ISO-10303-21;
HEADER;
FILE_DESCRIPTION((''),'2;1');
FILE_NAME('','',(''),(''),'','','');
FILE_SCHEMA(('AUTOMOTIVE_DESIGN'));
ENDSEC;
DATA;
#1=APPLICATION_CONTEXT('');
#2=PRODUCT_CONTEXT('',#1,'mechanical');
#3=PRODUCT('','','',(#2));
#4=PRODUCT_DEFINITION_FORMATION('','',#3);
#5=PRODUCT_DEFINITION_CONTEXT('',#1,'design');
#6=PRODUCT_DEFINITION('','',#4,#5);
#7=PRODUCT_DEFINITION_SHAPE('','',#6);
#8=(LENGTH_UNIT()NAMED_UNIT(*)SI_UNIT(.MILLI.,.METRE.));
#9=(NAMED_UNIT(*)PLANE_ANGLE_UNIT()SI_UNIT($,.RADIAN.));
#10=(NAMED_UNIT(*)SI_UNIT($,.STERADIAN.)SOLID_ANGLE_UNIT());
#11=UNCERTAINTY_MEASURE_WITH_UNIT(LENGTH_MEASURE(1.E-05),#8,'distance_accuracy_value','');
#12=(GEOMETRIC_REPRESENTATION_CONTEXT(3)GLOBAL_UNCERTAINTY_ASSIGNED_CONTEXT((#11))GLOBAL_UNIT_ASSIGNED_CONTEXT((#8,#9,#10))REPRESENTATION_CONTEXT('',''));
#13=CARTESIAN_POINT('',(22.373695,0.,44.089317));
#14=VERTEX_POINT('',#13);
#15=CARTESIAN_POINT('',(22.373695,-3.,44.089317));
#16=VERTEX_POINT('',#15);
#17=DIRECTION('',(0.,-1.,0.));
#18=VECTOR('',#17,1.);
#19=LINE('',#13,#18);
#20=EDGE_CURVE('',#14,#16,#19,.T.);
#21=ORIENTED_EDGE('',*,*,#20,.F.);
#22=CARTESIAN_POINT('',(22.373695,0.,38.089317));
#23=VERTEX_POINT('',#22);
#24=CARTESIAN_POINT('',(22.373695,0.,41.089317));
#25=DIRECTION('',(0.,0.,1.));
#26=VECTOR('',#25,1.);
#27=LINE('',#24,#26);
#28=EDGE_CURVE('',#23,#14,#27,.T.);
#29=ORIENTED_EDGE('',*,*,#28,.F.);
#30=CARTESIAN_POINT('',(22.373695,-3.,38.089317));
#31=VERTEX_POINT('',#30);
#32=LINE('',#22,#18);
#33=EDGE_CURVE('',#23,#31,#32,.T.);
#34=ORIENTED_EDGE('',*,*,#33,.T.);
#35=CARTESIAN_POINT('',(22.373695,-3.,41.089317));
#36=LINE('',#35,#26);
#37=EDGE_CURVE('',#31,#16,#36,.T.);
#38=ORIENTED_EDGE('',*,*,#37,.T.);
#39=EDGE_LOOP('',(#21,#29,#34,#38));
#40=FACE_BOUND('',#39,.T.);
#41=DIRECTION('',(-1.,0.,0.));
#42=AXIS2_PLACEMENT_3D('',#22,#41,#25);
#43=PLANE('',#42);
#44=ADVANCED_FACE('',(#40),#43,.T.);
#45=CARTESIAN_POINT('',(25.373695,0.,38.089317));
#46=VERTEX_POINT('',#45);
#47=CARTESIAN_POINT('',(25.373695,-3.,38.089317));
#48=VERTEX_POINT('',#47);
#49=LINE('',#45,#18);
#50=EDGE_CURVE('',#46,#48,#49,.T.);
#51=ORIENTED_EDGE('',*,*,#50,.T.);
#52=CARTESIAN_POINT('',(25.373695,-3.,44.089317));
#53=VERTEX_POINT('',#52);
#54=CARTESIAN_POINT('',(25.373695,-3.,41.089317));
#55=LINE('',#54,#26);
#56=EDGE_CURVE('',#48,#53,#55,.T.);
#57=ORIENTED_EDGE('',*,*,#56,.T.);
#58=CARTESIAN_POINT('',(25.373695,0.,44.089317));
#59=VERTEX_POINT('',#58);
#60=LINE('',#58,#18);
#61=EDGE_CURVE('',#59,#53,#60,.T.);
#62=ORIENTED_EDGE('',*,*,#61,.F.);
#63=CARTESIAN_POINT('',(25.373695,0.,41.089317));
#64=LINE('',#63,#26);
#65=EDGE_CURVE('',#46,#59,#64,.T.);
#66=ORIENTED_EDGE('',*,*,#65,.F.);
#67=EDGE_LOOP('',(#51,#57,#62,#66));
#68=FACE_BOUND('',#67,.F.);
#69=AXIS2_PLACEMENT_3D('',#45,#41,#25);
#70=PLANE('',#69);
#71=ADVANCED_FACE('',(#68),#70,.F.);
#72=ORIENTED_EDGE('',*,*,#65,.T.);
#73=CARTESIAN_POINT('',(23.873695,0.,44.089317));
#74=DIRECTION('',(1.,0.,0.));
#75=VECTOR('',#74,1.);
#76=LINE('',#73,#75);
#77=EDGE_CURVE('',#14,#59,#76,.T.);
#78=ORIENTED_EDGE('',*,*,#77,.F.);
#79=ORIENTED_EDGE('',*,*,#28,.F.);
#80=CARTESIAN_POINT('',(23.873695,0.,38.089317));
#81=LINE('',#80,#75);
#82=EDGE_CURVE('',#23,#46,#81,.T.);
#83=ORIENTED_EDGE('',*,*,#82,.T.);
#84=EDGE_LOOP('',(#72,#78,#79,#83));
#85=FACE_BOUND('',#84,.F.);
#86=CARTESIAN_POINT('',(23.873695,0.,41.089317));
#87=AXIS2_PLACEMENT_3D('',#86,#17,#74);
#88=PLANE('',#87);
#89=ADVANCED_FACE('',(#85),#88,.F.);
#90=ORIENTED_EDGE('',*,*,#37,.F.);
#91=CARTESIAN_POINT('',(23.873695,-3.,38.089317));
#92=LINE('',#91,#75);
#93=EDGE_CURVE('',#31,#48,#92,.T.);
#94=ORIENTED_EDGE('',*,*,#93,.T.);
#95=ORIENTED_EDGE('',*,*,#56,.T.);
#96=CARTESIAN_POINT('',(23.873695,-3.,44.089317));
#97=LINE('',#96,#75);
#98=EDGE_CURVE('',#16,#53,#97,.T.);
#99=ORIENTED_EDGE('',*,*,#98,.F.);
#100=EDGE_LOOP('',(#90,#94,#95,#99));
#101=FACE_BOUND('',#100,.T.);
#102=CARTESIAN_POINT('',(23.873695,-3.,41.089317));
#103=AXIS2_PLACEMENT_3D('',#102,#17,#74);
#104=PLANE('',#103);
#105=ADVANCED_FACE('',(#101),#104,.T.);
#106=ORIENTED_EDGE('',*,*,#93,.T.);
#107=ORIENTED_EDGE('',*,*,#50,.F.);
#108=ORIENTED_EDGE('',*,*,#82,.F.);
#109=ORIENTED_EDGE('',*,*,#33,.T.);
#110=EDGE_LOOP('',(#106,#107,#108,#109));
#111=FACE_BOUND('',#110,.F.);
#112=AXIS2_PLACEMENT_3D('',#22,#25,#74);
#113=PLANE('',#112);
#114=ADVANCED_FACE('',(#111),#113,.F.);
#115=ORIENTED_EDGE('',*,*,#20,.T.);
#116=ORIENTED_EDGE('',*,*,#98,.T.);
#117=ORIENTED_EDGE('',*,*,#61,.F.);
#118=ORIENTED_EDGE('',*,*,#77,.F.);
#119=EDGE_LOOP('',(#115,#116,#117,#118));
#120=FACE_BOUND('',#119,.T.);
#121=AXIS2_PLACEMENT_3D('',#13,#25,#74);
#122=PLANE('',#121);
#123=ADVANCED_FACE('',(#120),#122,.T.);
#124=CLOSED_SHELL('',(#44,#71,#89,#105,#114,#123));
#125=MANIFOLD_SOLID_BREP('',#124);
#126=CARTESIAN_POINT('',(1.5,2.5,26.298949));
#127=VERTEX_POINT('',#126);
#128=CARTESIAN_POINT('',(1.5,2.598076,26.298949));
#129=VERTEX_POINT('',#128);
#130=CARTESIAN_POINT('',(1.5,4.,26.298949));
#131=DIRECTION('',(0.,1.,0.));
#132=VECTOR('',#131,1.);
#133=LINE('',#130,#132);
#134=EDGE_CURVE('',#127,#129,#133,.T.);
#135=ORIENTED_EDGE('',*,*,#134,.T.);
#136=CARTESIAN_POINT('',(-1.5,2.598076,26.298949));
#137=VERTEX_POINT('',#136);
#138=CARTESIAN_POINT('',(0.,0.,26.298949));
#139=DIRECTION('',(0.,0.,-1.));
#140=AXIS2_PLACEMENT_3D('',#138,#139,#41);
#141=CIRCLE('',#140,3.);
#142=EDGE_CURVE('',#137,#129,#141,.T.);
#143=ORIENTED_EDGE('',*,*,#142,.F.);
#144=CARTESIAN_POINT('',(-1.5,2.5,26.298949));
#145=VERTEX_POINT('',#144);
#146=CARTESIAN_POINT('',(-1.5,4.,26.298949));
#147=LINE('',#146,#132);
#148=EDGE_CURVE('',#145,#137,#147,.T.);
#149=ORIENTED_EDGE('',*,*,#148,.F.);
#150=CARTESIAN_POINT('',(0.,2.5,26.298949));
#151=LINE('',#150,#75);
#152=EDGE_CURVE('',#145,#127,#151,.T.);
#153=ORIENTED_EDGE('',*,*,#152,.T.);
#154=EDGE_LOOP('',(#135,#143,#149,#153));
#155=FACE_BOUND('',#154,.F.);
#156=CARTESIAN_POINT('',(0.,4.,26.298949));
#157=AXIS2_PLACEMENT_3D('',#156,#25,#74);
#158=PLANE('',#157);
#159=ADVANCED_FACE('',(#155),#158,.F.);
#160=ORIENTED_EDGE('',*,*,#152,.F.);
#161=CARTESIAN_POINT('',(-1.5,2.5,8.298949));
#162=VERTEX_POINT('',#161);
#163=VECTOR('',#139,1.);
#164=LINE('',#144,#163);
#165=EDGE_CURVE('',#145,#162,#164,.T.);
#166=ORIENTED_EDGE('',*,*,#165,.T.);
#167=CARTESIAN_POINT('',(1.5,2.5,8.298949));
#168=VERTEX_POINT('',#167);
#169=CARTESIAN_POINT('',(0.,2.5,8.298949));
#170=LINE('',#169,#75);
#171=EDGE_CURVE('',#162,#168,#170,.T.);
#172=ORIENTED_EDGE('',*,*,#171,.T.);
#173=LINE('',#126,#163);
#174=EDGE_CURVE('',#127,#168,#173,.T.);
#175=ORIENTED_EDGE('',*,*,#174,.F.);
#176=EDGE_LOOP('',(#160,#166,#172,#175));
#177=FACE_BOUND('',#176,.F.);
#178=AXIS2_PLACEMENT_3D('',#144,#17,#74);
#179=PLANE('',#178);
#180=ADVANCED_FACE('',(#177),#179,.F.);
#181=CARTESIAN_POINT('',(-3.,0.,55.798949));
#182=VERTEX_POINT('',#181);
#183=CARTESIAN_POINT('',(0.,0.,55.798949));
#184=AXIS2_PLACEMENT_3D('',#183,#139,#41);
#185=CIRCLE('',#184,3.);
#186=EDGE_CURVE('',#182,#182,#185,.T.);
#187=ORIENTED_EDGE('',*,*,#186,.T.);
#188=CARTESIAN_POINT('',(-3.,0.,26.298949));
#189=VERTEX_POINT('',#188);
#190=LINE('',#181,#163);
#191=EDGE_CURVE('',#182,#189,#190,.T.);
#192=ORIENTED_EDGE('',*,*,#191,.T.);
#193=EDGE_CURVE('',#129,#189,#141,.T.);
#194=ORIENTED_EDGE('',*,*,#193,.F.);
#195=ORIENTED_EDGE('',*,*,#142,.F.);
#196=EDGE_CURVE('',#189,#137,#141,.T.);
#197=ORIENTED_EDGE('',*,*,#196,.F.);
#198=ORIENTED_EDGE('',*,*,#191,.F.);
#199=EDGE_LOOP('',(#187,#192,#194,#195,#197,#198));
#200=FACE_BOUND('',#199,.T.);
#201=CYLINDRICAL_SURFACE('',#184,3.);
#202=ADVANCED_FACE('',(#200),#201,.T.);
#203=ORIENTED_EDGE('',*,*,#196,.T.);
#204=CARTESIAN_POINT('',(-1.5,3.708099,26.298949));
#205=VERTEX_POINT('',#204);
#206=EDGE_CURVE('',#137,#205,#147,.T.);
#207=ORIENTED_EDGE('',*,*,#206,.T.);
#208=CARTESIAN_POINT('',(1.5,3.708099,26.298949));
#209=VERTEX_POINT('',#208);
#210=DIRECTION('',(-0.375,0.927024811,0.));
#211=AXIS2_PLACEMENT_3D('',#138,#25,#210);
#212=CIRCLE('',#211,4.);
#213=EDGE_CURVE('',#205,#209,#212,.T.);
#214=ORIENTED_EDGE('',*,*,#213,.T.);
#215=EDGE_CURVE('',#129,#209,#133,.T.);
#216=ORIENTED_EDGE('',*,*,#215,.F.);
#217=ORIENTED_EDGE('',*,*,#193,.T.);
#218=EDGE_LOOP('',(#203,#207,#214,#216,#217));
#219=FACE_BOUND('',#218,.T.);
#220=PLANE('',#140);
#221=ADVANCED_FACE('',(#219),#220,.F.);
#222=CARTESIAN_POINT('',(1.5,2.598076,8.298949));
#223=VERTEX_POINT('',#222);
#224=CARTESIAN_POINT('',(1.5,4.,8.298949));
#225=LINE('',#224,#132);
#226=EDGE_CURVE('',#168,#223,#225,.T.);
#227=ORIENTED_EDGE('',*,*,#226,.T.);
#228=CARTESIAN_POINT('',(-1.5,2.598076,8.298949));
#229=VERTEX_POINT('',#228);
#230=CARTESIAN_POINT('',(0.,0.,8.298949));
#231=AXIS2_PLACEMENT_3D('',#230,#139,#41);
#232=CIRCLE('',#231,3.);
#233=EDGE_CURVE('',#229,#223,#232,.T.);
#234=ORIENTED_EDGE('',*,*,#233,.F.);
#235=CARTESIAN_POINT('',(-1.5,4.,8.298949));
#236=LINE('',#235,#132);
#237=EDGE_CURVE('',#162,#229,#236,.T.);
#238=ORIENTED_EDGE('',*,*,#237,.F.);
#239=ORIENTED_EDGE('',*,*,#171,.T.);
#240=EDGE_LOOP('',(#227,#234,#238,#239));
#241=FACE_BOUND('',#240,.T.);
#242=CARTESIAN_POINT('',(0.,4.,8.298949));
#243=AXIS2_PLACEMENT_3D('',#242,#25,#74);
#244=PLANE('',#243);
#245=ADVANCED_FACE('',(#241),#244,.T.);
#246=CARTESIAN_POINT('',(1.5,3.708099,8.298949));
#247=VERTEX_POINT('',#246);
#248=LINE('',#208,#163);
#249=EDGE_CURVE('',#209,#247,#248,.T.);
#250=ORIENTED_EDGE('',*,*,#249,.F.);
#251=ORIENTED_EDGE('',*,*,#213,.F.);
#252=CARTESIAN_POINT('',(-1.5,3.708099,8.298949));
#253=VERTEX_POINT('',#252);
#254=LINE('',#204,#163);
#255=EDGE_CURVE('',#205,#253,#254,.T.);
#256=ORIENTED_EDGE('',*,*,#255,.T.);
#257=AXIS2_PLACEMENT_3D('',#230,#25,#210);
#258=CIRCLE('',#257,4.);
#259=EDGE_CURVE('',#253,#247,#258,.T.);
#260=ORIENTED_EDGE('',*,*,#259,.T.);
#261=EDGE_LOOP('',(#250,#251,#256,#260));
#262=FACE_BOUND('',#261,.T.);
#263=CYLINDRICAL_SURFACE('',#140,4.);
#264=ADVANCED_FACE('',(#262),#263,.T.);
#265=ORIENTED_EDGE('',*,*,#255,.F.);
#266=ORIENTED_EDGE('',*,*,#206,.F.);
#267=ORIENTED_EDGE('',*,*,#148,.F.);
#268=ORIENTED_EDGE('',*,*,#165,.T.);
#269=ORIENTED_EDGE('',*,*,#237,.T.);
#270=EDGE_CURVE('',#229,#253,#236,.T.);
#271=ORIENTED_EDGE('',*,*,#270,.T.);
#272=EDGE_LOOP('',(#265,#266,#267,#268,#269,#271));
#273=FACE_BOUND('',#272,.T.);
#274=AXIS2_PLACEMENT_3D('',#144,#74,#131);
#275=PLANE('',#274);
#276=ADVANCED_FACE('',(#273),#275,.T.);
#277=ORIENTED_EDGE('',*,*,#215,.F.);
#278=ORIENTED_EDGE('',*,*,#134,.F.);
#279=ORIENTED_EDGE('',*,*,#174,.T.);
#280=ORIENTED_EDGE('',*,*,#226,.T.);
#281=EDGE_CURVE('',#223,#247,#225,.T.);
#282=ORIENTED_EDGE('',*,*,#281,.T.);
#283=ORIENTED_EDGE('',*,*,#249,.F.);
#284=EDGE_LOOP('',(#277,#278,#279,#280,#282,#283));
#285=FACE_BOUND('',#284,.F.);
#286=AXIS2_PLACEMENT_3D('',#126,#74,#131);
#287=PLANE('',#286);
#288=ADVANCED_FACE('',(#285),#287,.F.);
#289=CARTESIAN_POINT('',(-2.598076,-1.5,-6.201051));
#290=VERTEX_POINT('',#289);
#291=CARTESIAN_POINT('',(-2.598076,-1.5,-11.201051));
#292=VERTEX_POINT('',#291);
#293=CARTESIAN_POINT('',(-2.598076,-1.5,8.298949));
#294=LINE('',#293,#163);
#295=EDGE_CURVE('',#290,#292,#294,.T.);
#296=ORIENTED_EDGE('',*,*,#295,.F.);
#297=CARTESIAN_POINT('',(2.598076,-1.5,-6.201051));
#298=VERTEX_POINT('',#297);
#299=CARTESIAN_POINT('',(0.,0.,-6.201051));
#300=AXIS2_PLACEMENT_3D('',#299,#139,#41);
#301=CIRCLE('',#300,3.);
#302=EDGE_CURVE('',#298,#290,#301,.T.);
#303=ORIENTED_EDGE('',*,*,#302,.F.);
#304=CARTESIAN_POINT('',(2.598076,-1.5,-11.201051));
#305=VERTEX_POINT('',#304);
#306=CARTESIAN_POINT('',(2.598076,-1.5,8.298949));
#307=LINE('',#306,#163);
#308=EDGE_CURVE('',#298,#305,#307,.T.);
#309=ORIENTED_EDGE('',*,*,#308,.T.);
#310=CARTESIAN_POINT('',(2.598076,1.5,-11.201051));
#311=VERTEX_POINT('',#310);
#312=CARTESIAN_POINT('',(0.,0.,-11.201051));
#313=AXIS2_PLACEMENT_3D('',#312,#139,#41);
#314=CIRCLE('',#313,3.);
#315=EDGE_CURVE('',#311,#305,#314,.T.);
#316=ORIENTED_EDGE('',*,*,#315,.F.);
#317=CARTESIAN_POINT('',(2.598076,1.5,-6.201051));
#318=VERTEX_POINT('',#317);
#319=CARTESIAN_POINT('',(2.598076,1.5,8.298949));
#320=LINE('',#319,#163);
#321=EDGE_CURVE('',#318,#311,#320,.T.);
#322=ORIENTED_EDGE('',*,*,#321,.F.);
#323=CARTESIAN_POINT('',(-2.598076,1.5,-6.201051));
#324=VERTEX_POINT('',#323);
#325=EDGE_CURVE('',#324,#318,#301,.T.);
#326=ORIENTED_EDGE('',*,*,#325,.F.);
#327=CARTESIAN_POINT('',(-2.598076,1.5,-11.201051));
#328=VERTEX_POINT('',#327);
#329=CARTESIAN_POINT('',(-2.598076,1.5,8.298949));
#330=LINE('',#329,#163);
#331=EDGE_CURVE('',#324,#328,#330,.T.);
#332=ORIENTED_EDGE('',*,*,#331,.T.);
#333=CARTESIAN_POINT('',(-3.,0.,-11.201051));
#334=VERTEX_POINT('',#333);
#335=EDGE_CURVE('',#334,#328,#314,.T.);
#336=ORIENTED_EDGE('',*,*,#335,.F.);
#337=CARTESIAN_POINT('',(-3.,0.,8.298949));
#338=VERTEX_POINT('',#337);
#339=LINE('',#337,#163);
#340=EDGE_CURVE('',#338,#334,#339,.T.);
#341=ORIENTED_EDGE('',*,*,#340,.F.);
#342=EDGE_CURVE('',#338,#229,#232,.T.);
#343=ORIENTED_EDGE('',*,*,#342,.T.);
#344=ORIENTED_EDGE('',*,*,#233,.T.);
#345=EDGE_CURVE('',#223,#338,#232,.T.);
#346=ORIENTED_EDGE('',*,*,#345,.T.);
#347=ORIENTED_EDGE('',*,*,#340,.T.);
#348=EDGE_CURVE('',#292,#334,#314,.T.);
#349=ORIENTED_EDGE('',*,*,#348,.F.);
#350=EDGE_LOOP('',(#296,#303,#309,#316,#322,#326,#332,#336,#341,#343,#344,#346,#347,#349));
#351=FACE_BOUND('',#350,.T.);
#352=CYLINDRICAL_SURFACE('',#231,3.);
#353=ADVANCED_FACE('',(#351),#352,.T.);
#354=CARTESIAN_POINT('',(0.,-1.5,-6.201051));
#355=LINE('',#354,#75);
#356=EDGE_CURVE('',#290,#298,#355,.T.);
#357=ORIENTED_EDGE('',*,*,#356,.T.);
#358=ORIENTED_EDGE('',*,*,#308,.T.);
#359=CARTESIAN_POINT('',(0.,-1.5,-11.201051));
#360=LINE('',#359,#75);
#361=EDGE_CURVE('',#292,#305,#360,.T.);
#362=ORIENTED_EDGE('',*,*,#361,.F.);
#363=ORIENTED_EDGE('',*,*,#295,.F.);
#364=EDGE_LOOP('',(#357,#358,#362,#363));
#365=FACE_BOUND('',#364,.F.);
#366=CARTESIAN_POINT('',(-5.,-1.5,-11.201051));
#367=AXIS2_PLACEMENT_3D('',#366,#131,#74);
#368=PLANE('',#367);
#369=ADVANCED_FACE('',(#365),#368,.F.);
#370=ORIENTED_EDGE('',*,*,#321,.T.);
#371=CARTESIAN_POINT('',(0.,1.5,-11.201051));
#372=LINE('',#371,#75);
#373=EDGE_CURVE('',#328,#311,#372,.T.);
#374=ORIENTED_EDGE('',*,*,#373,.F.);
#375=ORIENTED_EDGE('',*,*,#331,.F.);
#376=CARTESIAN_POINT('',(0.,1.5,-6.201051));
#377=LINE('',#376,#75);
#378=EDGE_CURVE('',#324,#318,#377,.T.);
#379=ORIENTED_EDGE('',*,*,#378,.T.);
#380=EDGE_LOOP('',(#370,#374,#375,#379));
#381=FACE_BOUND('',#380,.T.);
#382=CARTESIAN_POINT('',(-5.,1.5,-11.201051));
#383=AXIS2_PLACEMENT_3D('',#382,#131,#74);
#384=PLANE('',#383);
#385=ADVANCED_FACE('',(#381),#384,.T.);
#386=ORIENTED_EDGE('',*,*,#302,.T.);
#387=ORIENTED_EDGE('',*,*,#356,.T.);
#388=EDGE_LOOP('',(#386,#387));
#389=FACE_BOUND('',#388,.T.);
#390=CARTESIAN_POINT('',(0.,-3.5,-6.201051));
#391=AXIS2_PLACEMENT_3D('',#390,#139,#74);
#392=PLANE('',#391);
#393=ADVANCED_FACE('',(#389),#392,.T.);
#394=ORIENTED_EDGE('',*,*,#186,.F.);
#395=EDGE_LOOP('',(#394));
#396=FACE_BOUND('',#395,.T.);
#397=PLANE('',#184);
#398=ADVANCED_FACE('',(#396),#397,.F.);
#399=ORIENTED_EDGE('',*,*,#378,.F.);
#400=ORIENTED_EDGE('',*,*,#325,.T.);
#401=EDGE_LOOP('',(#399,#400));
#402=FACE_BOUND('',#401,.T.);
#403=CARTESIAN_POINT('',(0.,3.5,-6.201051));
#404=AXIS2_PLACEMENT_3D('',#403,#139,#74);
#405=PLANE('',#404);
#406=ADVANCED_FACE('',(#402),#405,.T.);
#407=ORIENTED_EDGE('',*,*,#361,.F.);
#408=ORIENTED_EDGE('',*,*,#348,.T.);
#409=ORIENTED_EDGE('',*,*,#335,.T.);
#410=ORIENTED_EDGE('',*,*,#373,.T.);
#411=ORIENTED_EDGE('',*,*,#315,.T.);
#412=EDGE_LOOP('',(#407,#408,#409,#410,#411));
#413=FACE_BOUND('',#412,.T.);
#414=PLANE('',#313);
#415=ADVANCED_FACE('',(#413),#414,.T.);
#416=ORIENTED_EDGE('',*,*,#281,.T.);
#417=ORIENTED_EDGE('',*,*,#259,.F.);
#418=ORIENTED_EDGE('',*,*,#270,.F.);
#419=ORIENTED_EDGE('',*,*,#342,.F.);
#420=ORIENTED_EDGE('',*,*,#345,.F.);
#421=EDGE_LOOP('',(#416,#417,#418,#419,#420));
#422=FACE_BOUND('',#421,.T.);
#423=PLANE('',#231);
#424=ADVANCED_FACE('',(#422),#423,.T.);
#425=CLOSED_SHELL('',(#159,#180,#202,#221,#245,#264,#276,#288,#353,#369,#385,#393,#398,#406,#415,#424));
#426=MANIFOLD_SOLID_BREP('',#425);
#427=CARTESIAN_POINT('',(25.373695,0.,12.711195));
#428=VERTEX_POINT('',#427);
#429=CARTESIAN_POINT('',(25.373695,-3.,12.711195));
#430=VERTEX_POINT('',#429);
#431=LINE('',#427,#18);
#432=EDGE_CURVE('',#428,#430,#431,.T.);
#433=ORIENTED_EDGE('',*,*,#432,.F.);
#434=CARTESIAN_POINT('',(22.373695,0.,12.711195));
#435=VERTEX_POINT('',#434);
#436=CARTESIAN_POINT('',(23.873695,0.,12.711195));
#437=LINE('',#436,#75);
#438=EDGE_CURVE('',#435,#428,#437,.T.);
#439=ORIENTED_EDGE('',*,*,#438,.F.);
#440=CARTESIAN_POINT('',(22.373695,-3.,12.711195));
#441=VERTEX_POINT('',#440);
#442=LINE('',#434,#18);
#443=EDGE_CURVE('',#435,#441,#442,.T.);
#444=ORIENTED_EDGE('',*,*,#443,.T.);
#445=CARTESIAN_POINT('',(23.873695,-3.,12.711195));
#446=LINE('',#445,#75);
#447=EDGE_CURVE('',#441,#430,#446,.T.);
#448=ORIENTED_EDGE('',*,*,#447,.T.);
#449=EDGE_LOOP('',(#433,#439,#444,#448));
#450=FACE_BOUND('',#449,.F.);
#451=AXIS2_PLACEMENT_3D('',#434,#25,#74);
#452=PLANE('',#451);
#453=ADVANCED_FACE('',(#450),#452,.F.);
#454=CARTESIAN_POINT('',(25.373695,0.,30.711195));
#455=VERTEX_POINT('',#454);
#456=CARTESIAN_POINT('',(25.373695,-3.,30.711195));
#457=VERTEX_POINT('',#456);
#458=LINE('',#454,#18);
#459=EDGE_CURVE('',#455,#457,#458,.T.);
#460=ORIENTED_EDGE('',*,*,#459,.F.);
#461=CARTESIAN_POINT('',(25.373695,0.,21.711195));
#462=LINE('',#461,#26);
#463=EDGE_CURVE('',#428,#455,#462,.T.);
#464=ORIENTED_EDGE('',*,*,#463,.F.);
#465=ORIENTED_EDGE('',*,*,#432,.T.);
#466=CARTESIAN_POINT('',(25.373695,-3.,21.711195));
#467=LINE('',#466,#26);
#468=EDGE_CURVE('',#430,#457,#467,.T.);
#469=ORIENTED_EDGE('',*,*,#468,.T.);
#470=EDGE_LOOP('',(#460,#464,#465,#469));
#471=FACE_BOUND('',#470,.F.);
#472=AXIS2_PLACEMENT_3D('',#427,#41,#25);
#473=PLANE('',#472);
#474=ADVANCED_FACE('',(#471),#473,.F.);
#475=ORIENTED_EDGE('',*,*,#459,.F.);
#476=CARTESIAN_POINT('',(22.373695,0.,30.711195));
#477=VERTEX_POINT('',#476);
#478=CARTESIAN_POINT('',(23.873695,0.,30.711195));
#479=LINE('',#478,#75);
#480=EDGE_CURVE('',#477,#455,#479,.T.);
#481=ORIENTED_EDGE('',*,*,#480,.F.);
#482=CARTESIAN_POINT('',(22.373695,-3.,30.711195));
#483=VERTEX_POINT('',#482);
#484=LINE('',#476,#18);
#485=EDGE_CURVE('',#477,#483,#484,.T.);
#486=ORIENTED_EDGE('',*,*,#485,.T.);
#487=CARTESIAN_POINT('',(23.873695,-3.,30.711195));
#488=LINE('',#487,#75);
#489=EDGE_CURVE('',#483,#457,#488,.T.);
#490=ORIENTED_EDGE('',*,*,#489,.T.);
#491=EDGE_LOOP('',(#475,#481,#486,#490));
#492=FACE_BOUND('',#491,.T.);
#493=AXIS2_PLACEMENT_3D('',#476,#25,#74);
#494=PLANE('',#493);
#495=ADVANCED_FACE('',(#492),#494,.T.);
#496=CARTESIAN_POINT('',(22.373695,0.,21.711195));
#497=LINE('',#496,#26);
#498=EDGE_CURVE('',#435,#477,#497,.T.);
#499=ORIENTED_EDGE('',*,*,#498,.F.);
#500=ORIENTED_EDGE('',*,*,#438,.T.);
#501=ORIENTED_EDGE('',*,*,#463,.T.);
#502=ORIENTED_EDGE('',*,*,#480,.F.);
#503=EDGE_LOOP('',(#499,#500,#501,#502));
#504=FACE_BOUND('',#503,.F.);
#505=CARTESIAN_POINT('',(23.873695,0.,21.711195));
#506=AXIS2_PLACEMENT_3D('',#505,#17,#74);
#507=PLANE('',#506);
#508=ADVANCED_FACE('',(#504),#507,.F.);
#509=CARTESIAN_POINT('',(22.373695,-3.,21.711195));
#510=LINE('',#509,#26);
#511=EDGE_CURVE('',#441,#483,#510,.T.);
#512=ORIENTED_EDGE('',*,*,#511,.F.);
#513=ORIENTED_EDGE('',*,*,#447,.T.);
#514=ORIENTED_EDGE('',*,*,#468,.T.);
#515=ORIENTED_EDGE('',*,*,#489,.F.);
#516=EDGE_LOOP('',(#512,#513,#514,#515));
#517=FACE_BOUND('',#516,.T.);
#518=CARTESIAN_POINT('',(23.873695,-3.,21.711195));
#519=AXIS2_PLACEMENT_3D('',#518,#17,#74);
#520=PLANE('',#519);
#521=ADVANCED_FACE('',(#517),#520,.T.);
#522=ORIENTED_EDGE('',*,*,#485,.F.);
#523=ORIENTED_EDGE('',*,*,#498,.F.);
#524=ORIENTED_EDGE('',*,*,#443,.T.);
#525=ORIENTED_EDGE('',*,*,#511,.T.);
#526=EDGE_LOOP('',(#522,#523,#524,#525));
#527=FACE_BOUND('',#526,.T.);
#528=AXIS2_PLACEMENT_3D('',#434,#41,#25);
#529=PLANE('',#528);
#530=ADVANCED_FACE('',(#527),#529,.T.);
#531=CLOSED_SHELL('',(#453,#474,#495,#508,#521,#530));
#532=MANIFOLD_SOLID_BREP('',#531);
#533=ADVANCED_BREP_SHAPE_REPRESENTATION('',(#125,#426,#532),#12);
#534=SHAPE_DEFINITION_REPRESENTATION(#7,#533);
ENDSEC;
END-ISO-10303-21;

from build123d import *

# Parameters (mm, degrees)
F2_W     = 3
F2_H     = 3
F3_DEPTH = 18
F4_W     = 3
F4_H     = 6
F4_H_2   = 18
F5_DEPTH = 3
F6_W     = 10
F6_H     = 4
F7_DEPTH = 5


with BuildPart() as f1:
    # F0 (on Front) → F1 (revolve)
    with BuildSketch(Plane.XZ):
        Polygon((0, -11.201051), (0, 55.798949), (-3, 55.798949), (-3, 26.298949), (-4, 26.298949), (-4, 8.298949), (-3, 8.298949), (-3, -11.201051), align=None)
    revolve(axis=Axis((0, 0, 15.213801), (0, 0, -1)))

    # F2 (on face) → F3 (cut)
    with BuildSketch(Plane.XY.offset(26.298949)):
        with Locations((0, 4)):
            Rectangle(F2_W, F2_H)
    extrude(amount=-F3_DEPTH, mode=Mode.SUBTRACT)

    # F6 (on face) → F7 (cut)
    with BuildSketch(Plane(origin=(0, 0, -11.201051), x_dir=(1, 0, 0), z_dir=(0, 0, -1))):
        with Locations((0, -3.5)):
            Rectangle(F6_W, F6_H)
        with Locations((0, 3.5)):
            Rectangle(F6_W, F6_H)
    extrude(amount=-F7_DEPTH, mode=Mode.SUBTRACT)


with BuildPart() as f5:
    # F4 (on Front) → F5 (new body)
    with BuildSketch(Plane.XZ):
        with Locations((23.873695, 41.089317)):
            Rectangle(F4_W, F4_H)
        with Locations((23.873695, 21.711195)):
            Rectangle(F4_W, F4_H_2)
    extrude(amount=F5_DEPTH)


solid = Compound([f1.part, f5.part])
